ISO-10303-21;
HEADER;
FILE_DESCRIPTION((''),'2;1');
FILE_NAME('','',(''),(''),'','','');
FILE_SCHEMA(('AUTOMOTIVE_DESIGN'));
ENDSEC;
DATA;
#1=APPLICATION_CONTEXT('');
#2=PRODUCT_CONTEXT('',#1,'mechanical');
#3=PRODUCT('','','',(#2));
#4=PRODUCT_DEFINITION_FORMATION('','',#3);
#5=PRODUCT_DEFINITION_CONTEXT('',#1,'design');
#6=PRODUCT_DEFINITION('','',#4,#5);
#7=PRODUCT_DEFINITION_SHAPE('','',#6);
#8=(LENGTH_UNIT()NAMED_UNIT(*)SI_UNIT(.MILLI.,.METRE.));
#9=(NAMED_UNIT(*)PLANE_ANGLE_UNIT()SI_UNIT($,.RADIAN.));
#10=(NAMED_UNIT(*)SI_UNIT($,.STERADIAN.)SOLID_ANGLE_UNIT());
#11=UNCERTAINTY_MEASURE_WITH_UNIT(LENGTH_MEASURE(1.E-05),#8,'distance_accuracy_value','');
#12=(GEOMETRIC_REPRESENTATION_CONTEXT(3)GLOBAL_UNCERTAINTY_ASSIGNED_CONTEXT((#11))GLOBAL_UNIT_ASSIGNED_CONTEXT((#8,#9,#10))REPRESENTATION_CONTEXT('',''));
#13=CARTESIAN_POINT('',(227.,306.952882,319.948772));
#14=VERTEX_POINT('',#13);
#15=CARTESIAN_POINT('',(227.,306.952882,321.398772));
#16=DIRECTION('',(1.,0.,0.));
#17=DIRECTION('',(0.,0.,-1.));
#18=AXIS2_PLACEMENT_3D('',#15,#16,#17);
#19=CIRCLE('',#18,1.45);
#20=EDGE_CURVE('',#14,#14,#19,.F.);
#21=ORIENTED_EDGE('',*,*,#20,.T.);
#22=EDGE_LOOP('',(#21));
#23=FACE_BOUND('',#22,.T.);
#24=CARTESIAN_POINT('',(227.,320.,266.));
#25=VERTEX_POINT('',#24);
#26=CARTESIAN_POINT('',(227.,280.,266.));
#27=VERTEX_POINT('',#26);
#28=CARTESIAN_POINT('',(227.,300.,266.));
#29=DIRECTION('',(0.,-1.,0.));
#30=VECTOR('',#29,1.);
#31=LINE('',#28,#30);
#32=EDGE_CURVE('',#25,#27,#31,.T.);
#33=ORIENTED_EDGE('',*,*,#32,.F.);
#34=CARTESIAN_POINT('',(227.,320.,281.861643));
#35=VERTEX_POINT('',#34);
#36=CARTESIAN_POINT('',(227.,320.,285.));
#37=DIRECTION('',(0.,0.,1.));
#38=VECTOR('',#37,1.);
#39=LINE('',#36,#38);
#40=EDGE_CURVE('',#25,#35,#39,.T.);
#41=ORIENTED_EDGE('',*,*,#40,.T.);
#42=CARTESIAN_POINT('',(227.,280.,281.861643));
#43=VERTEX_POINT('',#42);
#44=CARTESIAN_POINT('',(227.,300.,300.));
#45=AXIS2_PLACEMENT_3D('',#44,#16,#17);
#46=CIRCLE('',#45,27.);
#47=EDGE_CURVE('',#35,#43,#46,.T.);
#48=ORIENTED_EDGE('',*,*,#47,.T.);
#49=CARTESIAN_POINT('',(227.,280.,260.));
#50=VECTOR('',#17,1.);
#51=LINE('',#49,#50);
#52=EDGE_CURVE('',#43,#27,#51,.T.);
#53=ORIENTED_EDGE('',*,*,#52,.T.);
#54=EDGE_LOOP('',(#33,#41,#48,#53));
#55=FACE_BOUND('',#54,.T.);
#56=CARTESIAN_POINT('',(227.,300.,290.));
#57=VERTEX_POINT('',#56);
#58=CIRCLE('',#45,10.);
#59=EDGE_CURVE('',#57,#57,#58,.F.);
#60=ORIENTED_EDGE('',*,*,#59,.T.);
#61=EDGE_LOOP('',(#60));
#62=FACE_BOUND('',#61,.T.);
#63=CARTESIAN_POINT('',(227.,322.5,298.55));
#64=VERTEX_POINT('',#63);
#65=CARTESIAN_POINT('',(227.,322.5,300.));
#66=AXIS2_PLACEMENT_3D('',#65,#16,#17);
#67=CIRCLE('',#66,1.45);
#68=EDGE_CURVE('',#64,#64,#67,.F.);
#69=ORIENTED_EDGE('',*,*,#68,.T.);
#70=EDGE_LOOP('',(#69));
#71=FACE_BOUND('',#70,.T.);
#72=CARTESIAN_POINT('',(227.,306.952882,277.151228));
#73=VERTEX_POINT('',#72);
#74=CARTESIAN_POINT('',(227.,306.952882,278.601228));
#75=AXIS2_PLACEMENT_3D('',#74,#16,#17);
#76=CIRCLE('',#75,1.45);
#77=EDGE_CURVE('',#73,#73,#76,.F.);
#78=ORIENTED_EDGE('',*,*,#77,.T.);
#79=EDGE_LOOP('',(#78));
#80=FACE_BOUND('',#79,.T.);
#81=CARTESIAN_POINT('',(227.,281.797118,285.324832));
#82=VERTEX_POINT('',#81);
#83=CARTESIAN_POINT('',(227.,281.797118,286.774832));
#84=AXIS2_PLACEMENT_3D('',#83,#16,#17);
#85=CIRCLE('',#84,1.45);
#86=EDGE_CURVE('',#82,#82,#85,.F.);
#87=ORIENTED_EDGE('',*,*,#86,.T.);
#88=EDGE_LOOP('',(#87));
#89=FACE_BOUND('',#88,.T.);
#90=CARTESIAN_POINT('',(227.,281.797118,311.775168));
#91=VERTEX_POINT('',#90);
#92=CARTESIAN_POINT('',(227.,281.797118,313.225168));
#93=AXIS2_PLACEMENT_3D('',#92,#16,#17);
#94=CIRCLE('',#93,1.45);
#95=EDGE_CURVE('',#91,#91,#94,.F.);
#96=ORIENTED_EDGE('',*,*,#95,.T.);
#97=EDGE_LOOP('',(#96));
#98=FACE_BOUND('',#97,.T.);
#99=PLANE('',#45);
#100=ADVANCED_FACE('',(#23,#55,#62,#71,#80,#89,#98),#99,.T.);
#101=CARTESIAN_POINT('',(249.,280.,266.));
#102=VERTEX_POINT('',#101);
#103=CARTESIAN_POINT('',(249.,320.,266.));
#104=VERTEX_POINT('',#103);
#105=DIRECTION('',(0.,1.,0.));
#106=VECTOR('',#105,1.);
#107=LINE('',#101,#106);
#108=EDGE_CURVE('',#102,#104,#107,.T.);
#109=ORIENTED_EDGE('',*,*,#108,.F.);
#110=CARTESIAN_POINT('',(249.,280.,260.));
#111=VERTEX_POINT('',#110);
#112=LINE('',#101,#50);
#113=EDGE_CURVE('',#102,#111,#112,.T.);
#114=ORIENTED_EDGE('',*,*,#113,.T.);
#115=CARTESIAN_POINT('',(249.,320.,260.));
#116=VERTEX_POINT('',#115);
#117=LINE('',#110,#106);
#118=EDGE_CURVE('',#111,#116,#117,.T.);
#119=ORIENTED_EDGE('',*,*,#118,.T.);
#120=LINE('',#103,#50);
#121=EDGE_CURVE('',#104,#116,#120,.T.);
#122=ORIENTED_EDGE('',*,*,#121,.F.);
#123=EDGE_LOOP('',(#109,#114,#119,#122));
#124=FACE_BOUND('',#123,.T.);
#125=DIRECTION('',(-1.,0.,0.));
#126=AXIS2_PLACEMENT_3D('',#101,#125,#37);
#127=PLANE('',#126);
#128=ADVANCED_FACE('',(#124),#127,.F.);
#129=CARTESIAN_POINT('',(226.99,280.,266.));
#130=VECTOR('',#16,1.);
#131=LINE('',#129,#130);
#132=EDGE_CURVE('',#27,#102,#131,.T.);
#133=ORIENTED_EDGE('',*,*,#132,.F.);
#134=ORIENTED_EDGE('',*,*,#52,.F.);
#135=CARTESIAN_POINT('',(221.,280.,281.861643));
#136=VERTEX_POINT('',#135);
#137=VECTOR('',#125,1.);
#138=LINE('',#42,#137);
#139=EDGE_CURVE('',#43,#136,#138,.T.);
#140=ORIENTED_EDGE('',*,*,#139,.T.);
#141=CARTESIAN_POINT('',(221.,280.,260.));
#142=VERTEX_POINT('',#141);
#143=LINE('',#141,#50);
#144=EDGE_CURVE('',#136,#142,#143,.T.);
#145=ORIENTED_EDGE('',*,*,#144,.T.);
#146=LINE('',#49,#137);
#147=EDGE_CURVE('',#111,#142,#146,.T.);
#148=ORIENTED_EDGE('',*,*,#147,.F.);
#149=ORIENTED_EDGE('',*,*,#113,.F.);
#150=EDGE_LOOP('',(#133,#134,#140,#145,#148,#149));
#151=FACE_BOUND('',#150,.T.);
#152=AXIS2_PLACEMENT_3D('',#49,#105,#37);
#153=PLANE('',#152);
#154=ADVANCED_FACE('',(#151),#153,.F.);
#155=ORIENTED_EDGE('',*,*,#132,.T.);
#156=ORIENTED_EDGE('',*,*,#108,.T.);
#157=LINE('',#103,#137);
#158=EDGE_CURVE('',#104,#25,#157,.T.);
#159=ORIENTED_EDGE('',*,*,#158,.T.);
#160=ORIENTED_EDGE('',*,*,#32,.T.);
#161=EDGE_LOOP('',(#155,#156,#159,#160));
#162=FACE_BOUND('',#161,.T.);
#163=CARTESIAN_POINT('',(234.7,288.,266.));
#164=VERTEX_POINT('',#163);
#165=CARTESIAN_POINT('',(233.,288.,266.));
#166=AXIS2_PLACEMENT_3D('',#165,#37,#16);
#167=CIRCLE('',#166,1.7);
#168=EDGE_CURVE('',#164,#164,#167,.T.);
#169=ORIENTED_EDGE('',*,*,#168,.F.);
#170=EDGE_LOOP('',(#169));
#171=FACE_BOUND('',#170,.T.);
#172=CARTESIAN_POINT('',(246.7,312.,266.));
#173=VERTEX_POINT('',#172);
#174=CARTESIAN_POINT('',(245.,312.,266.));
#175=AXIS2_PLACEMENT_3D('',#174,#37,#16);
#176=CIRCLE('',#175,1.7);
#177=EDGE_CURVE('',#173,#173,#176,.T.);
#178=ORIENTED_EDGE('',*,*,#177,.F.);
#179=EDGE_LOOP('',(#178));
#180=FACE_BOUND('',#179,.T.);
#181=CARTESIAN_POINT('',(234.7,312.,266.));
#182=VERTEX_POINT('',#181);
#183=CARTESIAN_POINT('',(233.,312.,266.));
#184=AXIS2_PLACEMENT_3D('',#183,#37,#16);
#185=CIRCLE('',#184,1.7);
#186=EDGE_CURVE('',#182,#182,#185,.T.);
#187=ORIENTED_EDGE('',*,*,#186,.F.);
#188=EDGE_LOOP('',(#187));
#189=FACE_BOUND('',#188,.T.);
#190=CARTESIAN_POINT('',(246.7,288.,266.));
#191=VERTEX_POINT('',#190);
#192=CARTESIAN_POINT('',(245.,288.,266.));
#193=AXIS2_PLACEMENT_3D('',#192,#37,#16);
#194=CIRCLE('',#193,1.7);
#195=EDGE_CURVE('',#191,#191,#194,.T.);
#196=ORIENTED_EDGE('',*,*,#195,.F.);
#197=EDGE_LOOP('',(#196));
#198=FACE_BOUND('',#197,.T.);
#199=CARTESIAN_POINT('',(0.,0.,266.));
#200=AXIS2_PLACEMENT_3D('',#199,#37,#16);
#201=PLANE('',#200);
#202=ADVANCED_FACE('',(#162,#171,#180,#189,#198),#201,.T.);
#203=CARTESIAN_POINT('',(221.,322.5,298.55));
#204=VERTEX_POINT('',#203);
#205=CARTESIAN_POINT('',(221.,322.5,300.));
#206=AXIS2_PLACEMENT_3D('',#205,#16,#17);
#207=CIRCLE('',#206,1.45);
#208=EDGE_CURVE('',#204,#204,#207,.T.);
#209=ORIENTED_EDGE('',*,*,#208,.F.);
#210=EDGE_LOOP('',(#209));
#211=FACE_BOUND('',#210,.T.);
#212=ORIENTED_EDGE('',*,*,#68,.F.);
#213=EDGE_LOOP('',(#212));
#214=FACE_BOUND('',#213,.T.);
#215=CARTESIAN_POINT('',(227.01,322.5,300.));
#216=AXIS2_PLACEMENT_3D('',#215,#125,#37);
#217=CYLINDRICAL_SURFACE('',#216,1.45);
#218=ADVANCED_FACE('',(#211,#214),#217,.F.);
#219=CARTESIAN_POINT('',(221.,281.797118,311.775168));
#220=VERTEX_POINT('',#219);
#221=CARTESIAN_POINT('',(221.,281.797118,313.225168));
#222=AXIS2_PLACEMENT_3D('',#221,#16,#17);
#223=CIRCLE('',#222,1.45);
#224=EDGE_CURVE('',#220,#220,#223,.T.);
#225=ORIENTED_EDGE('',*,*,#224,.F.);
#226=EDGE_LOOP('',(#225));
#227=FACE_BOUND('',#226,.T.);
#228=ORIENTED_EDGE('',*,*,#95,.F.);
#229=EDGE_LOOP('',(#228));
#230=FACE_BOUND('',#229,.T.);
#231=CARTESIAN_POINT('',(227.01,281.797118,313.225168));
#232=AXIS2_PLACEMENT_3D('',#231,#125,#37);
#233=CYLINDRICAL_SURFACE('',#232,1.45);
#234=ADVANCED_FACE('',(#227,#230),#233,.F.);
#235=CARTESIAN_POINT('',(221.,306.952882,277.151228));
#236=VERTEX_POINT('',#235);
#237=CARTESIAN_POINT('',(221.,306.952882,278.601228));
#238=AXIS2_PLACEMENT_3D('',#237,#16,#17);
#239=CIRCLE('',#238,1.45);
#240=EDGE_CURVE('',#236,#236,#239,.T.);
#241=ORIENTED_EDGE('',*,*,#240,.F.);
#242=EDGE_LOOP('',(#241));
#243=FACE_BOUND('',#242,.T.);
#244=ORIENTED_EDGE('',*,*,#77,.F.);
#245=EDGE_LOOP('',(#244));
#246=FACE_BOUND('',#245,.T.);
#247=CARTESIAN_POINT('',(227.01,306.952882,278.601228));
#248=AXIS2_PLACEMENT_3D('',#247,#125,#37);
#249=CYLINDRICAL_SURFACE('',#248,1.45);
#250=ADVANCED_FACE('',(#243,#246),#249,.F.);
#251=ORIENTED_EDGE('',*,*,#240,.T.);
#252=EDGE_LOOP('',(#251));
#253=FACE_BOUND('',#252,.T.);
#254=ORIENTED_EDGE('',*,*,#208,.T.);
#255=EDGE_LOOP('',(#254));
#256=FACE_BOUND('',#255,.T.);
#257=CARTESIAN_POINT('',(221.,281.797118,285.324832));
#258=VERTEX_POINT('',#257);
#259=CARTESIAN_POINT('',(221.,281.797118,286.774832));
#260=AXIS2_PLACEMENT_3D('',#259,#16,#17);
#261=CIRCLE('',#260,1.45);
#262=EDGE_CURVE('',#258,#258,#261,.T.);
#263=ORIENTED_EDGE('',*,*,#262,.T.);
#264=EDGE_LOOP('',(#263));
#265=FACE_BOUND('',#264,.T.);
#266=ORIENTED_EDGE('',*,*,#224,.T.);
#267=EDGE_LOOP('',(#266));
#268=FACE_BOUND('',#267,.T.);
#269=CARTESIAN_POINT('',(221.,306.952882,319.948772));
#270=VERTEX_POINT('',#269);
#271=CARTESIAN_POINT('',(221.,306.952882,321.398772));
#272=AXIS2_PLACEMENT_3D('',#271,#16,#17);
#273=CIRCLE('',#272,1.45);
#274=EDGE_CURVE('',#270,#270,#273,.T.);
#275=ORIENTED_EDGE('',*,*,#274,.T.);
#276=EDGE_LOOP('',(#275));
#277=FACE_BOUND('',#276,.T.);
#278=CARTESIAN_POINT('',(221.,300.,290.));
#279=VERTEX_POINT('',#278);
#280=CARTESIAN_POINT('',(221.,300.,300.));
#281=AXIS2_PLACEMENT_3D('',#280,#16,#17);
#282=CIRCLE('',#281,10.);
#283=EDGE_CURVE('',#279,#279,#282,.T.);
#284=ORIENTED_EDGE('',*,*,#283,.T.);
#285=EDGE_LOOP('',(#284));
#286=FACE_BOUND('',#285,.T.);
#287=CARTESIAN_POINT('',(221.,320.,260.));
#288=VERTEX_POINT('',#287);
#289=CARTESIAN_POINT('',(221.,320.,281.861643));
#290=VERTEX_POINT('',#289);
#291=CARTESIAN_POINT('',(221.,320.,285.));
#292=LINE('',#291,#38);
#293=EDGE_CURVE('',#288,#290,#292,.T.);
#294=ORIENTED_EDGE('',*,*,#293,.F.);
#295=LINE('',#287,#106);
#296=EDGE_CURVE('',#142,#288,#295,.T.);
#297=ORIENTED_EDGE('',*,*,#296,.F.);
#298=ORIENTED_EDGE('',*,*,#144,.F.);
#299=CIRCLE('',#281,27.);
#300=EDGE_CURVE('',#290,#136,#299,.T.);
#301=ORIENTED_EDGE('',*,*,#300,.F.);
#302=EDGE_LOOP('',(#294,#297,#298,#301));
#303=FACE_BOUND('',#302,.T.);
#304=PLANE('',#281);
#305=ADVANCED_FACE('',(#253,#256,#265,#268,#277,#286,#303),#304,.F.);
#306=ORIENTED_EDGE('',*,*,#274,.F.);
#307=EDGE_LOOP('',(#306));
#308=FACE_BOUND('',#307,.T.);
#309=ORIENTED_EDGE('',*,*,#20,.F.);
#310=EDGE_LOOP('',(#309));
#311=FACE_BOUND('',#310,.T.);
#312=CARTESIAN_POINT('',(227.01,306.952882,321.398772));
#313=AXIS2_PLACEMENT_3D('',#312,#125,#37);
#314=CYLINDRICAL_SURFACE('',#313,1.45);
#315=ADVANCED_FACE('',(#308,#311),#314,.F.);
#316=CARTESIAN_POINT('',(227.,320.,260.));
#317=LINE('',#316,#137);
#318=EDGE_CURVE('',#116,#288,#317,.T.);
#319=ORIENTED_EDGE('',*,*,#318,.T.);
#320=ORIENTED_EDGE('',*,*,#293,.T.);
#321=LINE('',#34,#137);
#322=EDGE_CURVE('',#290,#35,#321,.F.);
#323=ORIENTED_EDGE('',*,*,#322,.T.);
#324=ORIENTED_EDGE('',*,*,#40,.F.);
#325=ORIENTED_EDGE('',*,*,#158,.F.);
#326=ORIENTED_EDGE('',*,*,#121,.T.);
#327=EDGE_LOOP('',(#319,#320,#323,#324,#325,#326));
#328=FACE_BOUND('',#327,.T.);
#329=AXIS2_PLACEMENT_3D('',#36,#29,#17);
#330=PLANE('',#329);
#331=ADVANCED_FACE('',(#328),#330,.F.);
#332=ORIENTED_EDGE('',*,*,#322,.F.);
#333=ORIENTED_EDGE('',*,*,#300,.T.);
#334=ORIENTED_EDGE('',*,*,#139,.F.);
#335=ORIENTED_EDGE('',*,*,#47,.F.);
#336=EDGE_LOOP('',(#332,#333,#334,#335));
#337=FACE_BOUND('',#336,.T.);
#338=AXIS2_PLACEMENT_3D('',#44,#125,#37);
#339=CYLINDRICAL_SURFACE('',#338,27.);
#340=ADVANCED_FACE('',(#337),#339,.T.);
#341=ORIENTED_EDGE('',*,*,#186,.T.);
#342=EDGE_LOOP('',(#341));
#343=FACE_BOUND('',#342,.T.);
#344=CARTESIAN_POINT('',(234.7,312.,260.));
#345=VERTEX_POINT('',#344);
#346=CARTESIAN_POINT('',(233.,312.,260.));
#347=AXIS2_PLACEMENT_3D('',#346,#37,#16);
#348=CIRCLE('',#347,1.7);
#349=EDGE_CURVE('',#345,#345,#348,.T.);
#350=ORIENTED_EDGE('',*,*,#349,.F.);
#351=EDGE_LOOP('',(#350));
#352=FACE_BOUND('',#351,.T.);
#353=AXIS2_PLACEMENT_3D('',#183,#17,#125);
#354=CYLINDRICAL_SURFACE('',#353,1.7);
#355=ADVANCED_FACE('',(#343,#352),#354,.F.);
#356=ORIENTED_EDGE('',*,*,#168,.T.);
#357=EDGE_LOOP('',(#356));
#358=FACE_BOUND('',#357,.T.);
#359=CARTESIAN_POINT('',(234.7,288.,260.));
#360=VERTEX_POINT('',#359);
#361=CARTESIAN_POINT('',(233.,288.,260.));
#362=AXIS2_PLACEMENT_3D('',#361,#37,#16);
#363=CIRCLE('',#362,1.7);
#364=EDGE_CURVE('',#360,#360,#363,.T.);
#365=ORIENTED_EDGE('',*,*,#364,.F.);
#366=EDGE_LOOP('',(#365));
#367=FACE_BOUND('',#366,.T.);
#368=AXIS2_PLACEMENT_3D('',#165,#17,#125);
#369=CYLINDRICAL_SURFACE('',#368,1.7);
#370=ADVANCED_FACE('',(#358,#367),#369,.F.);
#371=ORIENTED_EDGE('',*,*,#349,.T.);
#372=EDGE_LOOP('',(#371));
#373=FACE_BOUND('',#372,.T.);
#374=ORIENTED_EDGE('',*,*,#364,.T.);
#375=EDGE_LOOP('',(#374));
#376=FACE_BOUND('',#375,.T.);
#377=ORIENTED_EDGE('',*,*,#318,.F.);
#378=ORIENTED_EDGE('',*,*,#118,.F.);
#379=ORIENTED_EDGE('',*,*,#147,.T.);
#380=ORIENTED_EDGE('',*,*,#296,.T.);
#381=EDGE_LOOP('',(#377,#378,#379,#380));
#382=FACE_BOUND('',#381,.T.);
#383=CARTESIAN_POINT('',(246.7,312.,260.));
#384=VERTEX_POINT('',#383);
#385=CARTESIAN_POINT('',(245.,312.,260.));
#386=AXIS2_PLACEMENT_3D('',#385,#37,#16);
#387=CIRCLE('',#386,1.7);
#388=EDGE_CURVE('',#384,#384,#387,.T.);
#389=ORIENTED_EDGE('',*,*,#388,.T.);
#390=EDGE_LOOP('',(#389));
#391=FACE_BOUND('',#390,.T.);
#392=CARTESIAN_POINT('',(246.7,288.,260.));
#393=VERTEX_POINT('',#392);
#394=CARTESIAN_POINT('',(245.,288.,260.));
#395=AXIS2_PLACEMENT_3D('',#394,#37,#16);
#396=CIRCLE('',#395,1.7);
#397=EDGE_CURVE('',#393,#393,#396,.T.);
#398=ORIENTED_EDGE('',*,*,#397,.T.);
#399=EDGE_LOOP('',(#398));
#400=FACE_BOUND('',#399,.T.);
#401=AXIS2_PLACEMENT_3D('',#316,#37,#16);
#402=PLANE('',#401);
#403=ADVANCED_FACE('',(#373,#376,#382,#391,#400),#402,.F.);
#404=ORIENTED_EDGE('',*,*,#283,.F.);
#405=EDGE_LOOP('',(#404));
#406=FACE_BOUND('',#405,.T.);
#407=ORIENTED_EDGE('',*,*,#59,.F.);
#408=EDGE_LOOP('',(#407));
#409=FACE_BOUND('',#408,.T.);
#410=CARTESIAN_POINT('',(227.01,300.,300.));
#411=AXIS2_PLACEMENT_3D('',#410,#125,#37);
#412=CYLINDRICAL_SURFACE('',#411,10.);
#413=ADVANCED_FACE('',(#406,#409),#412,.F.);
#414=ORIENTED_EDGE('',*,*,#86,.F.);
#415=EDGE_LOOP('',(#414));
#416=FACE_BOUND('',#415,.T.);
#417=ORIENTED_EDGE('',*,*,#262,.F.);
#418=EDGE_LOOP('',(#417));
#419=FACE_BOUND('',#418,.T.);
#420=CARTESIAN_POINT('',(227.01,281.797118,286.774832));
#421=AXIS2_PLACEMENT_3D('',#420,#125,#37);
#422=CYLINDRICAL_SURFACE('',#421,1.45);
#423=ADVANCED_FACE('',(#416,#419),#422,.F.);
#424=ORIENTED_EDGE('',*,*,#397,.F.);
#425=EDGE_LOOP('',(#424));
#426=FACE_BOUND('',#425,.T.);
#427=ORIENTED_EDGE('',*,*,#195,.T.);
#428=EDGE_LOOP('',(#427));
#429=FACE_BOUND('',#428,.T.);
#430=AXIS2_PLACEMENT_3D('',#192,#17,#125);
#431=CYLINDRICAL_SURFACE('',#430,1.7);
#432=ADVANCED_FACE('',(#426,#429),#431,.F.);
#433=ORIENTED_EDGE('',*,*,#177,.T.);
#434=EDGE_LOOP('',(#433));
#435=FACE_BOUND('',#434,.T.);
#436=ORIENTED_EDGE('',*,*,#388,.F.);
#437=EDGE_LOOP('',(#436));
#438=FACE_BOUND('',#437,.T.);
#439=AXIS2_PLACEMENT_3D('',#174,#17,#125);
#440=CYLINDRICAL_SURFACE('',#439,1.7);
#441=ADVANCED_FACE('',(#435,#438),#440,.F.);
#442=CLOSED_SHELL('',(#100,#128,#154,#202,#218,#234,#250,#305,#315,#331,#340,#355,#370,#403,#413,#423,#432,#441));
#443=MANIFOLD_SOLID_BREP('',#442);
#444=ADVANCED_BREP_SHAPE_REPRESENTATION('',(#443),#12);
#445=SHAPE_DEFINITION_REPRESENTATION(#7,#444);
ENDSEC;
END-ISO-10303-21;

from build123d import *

# Parameters (mm, degrees)
SKETCH1_R           = 27
BOSS_EXTRUDE1_DEPTH = 6
SKETCH2_W           = 25
SKETCH2_H           = 40
BOSS_EXTRUDE2_DEPTH = 6
SKETCH3_R           = 10
SKETCH3_R_2         = 1.45
CUT_EXTRUDE1_DEPTH  = 6.01
SKETCH4_W           = 22.01
SKETCH4_H           = 40
SKETCH4_R           = 1.7
BOSS_EXTRUDE3_DEPTH = 6


with BuildPart() as part:
    # Sketch1 → Boss-Extrude1 (new body)
    with BuildSketch(Plane(origin=(221, 0, 0), x_dir=(0, 0, -1), z_dir=(1, 0, 0))):
        with Locations((-300, 300)):
            Circle(SKETCH1_R)
    extrude(amount=BOSS_EXTRUDE1_DEPTH)

    # Sketch2 → Boss-Extrude2 (add)
    with BuildSketch(Plane(origin=(221, 0, 0), x_dir=(0, 0, -1), z_dir=(1, 0, 0))):
        with Locations((-272.5, 300)):
            Rectangle(SKETCH2_W, SKETCH2_H)
    extrude(amount=BOSS_EXTRUDE2_DEPTH)

    # Sketch3 → Cut-Extrude1 (cut)
    with BuildSketch(Plane(origin=(221, 0, 0), x_dir=(0, 0, -1), z_dir=(1, 0, 0))):
        with Locations((-300, 300)):
            Circle(SKETCH3_R)
        with Locations((-300, 322.5)):
            Circle(SKETCH3_R_2)
        with Locations((-278.601228383, 306.952882373)):
            Circle(SKETCH3_R_2)
        with Locations((-286.774831823, 281.797117627)):
            Circle(SKETCH3_R_2)
        with Locations((-313.225168177, 281.797117627)):
            Circle(SKETCH3_R_2)
        with Locations((-321.398771617, 306.952882373)):
            Circle(SKETCH3_R_2)
    extrude(amount=CUT_EXTRUDE1_DEPTH, mode=Mode.SUBTRACT)

    # Sketch4 → Boss-Extrude3 (add)
    with BuildSketch(Plane.XY.offset(260)):
        with Locations((237.995, 300)):
            Rectangle(SKETCH4_W, SKETCH4_H)
        with Locations((233, 288)):
            Circle(SKETCH4_R, mode=Mode.SUBTRACT)
        with Locations((233, 312)):
            Circle(SKETCH4_R, mode=Mode.SUBTRACT)
        with Locations((245, 288)):
            Circle(SKETCH4_R, mode=Mode.SUBTRACT)
        with Locations((245, 312)):
            Circle(SKETCH4_R, mode=Mode.SUBTRACT)
    extrude(amount=BOSS_EXTRUDE3_DEPTH)


solid = part.part
